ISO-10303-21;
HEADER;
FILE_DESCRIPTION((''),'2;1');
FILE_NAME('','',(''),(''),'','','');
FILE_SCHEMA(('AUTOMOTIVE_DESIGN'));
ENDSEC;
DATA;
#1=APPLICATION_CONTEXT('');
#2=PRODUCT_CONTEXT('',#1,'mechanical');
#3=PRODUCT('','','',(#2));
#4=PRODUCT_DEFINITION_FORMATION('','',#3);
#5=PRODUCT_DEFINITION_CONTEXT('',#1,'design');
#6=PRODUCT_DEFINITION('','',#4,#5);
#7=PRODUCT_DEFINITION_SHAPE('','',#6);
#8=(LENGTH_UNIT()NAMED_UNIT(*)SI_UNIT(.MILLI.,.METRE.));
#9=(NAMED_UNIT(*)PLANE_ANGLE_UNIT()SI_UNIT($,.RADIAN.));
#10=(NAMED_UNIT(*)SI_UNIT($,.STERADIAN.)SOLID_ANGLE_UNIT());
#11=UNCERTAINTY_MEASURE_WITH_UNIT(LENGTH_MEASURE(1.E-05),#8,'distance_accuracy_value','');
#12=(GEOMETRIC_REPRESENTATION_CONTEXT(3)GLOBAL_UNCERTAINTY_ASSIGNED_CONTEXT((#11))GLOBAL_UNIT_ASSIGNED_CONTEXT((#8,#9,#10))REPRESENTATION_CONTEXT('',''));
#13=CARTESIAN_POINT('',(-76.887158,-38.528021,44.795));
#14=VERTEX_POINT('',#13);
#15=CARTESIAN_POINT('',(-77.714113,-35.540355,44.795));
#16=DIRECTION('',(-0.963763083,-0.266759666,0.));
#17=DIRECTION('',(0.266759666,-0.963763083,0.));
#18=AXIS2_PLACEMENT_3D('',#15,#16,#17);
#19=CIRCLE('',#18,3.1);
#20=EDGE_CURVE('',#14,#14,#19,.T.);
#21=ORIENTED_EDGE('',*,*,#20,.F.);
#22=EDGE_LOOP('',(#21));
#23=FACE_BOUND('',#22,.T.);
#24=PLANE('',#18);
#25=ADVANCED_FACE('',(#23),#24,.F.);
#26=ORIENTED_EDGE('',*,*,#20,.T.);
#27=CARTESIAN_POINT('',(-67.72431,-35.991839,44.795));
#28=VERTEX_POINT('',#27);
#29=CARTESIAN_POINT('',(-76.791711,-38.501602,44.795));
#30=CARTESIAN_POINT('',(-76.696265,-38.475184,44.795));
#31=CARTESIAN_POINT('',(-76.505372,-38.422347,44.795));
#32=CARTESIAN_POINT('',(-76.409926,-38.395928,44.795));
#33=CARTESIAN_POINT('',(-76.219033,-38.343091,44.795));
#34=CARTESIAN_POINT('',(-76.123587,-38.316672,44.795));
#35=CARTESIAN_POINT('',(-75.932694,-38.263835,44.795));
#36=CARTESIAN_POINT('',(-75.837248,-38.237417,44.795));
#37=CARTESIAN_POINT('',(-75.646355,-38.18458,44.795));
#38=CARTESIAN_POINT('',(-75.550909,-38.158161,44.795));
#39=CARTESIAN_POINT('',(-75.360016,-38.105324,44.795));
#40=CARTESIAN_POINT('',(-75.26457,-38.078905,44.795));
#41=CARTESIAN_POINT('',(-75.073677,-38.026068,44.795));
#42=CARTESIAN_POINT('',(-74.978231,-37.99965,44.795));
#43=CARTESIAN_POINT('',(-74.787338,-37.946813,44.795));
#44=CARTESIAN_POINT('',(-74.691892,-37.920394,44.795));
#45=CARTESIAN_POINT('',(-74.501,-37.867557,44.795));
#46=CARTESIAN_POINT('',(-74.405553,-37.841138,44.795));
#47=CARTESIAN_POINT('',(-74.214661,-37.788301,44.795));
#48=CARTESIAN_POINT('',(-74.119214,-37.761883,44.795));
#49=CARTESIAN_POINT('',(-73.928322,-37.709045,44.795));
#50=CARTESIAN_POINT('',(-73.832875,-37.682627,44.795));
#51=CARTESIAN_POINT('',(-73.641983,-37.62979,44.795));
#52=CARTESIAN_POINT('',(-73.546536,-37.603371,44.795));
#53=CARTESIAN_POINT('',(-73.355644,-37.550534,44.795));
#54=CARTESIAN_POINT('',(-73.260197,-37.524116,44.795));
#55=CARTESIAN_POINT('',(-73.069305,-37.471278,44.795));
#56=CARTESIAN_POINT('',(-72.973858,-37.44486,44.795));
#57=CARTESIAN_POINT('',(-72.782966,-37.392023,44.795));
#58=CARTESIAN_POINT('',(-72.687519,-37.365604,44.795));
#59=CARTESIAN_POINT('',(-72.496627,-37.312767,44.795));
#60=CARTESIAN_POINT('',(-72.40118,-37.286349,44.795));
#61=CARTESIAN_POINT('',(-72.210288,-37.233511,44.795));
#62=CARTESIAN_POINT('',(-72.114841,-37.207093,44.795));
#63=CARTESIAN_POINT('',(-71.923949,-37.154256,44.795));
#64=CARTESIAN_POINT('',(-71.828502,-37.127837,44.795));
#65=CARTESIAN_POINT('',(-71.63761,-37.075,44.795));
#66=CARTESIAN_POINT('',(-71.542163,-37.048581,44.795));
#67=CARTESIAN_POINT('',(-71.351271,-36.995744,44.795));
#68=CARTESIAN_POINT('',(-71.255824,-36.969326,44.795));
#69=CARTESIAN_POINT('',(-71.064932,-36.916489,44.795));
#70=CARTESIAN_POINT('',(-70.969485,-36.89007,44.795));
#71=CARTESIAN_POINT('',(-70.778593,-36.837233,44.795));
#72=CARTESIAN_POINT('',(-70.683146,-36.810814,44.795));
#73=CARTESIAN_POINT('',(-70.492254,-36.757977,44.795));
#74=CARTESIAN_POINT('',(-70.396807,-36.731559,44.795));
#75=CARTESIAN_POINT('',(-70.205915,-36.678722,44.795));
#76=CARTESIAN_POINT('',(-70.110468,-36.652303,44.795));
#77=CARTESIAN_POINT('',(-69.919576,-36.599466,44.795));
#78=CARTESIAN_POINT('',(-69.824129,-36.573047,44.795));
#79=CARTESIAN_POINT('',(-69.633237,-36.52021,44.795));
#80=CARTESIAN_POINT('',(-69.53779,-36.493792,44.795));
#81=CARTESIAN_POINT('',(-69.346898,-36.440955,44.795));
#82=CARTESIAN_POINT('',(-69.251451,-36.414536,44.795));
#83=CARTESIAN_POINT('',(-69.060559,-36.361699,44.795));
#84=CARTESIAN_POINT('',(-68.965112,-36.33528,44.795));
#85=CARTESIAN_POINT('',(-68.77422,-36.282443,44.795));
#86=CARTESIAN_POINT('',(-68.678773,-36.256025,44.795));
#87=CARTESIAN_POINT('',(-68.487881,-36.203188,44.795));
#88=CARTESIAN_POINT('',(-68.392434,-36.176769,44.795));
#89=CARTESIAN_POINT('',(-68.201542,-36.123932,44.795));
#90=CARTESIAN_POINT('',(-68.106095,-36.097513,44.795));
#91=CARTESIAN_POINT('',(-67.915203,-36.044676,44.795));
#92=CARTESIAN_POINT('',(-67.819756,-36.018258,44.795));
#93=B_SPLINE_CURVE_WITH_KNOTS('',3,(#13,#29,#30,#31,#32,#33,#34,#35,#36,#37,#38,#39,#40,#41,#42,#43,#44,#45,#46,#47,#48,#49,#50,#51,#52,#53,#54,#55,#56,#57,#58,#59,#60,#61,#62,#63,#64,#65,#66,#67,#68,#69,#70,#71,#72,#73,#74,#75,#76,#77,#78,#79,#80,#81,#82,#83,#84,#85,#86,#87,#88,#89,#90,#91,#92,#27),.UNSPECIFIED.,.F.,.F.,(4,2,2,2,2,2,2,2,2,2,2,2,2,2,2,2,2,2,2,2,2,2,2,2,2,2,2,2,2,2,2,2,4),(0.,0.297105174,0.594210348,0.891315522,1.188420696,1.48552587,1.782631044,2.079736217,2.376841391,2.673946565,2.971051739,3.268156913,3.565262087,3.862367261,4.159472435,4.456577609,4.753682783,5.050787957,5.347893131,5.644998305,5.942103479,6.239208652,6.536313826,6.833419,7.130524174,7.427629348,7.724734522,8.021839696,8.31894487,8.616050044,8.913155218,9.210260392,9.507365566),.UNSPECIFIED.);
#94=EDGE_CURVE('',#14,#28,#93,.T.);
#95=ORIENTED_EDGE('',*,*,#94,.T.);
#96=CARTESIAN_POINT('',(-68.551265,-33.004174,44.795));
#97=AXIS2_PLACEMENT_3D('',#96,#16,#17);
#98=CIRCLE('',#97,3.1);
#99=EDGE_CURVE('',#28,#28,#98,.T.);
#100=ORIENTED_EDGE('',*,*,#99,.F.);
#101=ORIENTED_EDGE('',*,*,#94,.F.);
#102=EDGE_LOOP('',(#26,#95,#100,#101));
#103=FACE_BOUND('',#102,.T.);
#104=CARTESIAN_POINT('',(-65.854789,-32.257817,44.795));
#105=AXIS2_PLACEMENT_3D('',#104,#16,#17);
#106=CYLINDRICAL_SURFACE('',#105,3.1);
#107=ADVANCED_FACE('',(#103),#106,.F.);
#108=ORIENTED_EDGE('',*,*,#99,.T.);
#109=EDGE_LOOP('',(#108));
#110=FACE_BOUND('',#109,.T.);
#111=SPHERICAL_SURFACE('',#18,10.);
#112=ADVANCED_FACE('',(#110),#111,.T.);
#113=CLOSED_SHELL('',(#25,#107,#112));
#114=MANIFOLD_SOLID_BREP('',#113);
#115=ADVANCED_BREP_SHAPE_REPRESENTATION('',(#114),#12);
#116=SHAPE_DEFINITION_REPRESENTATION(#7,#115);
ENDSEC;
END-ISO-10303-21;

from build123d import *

# Parameters (mm, degrees)
SKETCH2_R          = 3.1
CUT_EXTRUDE1_DEPTH = 61.976165997


with BuildPart() as part:
    # Sketch1 → Revolve1 (revolve)
    with BuildSketch(Plane(origin=(-81.321101364, -22.508840822, 0), x_dir=(0, 0, 1), z_dir=(-0.9637630832539774, -0.26675966591069744, 0))):
        with BuildLine():
            Line((44.795, -3.521491587), (44.795, -23.521491587))
            ThreePointArc((44.795, -23.521491587), (54.795, -13.521491587), (44.795, -3.521491587))
        make_face()
    revolve(axis=Axis((-80.381709445, -25.902724411, 44.795), (0.2667596659106978, -0.9637630832539774, 0)))

    # Sketch2 → Cut-Extrude1 (cut, through all)
    with BuildSketch(Plane(origin=(-81.321101364, -22.508840822, 0), x_dir=(0, 0, 1), z_dir=(-0.9637630832539774, -0.26675966591069744, 0))):
        with Locations(Location((44.795, -13.521491587, 0), (0, 0, 270))):
            Circle(SKETCH2_R)
    extrude(amount=-CUT_EXTRUDE1_DEPTH, mode=Mode.SUBTRACT)


solid = part.part
